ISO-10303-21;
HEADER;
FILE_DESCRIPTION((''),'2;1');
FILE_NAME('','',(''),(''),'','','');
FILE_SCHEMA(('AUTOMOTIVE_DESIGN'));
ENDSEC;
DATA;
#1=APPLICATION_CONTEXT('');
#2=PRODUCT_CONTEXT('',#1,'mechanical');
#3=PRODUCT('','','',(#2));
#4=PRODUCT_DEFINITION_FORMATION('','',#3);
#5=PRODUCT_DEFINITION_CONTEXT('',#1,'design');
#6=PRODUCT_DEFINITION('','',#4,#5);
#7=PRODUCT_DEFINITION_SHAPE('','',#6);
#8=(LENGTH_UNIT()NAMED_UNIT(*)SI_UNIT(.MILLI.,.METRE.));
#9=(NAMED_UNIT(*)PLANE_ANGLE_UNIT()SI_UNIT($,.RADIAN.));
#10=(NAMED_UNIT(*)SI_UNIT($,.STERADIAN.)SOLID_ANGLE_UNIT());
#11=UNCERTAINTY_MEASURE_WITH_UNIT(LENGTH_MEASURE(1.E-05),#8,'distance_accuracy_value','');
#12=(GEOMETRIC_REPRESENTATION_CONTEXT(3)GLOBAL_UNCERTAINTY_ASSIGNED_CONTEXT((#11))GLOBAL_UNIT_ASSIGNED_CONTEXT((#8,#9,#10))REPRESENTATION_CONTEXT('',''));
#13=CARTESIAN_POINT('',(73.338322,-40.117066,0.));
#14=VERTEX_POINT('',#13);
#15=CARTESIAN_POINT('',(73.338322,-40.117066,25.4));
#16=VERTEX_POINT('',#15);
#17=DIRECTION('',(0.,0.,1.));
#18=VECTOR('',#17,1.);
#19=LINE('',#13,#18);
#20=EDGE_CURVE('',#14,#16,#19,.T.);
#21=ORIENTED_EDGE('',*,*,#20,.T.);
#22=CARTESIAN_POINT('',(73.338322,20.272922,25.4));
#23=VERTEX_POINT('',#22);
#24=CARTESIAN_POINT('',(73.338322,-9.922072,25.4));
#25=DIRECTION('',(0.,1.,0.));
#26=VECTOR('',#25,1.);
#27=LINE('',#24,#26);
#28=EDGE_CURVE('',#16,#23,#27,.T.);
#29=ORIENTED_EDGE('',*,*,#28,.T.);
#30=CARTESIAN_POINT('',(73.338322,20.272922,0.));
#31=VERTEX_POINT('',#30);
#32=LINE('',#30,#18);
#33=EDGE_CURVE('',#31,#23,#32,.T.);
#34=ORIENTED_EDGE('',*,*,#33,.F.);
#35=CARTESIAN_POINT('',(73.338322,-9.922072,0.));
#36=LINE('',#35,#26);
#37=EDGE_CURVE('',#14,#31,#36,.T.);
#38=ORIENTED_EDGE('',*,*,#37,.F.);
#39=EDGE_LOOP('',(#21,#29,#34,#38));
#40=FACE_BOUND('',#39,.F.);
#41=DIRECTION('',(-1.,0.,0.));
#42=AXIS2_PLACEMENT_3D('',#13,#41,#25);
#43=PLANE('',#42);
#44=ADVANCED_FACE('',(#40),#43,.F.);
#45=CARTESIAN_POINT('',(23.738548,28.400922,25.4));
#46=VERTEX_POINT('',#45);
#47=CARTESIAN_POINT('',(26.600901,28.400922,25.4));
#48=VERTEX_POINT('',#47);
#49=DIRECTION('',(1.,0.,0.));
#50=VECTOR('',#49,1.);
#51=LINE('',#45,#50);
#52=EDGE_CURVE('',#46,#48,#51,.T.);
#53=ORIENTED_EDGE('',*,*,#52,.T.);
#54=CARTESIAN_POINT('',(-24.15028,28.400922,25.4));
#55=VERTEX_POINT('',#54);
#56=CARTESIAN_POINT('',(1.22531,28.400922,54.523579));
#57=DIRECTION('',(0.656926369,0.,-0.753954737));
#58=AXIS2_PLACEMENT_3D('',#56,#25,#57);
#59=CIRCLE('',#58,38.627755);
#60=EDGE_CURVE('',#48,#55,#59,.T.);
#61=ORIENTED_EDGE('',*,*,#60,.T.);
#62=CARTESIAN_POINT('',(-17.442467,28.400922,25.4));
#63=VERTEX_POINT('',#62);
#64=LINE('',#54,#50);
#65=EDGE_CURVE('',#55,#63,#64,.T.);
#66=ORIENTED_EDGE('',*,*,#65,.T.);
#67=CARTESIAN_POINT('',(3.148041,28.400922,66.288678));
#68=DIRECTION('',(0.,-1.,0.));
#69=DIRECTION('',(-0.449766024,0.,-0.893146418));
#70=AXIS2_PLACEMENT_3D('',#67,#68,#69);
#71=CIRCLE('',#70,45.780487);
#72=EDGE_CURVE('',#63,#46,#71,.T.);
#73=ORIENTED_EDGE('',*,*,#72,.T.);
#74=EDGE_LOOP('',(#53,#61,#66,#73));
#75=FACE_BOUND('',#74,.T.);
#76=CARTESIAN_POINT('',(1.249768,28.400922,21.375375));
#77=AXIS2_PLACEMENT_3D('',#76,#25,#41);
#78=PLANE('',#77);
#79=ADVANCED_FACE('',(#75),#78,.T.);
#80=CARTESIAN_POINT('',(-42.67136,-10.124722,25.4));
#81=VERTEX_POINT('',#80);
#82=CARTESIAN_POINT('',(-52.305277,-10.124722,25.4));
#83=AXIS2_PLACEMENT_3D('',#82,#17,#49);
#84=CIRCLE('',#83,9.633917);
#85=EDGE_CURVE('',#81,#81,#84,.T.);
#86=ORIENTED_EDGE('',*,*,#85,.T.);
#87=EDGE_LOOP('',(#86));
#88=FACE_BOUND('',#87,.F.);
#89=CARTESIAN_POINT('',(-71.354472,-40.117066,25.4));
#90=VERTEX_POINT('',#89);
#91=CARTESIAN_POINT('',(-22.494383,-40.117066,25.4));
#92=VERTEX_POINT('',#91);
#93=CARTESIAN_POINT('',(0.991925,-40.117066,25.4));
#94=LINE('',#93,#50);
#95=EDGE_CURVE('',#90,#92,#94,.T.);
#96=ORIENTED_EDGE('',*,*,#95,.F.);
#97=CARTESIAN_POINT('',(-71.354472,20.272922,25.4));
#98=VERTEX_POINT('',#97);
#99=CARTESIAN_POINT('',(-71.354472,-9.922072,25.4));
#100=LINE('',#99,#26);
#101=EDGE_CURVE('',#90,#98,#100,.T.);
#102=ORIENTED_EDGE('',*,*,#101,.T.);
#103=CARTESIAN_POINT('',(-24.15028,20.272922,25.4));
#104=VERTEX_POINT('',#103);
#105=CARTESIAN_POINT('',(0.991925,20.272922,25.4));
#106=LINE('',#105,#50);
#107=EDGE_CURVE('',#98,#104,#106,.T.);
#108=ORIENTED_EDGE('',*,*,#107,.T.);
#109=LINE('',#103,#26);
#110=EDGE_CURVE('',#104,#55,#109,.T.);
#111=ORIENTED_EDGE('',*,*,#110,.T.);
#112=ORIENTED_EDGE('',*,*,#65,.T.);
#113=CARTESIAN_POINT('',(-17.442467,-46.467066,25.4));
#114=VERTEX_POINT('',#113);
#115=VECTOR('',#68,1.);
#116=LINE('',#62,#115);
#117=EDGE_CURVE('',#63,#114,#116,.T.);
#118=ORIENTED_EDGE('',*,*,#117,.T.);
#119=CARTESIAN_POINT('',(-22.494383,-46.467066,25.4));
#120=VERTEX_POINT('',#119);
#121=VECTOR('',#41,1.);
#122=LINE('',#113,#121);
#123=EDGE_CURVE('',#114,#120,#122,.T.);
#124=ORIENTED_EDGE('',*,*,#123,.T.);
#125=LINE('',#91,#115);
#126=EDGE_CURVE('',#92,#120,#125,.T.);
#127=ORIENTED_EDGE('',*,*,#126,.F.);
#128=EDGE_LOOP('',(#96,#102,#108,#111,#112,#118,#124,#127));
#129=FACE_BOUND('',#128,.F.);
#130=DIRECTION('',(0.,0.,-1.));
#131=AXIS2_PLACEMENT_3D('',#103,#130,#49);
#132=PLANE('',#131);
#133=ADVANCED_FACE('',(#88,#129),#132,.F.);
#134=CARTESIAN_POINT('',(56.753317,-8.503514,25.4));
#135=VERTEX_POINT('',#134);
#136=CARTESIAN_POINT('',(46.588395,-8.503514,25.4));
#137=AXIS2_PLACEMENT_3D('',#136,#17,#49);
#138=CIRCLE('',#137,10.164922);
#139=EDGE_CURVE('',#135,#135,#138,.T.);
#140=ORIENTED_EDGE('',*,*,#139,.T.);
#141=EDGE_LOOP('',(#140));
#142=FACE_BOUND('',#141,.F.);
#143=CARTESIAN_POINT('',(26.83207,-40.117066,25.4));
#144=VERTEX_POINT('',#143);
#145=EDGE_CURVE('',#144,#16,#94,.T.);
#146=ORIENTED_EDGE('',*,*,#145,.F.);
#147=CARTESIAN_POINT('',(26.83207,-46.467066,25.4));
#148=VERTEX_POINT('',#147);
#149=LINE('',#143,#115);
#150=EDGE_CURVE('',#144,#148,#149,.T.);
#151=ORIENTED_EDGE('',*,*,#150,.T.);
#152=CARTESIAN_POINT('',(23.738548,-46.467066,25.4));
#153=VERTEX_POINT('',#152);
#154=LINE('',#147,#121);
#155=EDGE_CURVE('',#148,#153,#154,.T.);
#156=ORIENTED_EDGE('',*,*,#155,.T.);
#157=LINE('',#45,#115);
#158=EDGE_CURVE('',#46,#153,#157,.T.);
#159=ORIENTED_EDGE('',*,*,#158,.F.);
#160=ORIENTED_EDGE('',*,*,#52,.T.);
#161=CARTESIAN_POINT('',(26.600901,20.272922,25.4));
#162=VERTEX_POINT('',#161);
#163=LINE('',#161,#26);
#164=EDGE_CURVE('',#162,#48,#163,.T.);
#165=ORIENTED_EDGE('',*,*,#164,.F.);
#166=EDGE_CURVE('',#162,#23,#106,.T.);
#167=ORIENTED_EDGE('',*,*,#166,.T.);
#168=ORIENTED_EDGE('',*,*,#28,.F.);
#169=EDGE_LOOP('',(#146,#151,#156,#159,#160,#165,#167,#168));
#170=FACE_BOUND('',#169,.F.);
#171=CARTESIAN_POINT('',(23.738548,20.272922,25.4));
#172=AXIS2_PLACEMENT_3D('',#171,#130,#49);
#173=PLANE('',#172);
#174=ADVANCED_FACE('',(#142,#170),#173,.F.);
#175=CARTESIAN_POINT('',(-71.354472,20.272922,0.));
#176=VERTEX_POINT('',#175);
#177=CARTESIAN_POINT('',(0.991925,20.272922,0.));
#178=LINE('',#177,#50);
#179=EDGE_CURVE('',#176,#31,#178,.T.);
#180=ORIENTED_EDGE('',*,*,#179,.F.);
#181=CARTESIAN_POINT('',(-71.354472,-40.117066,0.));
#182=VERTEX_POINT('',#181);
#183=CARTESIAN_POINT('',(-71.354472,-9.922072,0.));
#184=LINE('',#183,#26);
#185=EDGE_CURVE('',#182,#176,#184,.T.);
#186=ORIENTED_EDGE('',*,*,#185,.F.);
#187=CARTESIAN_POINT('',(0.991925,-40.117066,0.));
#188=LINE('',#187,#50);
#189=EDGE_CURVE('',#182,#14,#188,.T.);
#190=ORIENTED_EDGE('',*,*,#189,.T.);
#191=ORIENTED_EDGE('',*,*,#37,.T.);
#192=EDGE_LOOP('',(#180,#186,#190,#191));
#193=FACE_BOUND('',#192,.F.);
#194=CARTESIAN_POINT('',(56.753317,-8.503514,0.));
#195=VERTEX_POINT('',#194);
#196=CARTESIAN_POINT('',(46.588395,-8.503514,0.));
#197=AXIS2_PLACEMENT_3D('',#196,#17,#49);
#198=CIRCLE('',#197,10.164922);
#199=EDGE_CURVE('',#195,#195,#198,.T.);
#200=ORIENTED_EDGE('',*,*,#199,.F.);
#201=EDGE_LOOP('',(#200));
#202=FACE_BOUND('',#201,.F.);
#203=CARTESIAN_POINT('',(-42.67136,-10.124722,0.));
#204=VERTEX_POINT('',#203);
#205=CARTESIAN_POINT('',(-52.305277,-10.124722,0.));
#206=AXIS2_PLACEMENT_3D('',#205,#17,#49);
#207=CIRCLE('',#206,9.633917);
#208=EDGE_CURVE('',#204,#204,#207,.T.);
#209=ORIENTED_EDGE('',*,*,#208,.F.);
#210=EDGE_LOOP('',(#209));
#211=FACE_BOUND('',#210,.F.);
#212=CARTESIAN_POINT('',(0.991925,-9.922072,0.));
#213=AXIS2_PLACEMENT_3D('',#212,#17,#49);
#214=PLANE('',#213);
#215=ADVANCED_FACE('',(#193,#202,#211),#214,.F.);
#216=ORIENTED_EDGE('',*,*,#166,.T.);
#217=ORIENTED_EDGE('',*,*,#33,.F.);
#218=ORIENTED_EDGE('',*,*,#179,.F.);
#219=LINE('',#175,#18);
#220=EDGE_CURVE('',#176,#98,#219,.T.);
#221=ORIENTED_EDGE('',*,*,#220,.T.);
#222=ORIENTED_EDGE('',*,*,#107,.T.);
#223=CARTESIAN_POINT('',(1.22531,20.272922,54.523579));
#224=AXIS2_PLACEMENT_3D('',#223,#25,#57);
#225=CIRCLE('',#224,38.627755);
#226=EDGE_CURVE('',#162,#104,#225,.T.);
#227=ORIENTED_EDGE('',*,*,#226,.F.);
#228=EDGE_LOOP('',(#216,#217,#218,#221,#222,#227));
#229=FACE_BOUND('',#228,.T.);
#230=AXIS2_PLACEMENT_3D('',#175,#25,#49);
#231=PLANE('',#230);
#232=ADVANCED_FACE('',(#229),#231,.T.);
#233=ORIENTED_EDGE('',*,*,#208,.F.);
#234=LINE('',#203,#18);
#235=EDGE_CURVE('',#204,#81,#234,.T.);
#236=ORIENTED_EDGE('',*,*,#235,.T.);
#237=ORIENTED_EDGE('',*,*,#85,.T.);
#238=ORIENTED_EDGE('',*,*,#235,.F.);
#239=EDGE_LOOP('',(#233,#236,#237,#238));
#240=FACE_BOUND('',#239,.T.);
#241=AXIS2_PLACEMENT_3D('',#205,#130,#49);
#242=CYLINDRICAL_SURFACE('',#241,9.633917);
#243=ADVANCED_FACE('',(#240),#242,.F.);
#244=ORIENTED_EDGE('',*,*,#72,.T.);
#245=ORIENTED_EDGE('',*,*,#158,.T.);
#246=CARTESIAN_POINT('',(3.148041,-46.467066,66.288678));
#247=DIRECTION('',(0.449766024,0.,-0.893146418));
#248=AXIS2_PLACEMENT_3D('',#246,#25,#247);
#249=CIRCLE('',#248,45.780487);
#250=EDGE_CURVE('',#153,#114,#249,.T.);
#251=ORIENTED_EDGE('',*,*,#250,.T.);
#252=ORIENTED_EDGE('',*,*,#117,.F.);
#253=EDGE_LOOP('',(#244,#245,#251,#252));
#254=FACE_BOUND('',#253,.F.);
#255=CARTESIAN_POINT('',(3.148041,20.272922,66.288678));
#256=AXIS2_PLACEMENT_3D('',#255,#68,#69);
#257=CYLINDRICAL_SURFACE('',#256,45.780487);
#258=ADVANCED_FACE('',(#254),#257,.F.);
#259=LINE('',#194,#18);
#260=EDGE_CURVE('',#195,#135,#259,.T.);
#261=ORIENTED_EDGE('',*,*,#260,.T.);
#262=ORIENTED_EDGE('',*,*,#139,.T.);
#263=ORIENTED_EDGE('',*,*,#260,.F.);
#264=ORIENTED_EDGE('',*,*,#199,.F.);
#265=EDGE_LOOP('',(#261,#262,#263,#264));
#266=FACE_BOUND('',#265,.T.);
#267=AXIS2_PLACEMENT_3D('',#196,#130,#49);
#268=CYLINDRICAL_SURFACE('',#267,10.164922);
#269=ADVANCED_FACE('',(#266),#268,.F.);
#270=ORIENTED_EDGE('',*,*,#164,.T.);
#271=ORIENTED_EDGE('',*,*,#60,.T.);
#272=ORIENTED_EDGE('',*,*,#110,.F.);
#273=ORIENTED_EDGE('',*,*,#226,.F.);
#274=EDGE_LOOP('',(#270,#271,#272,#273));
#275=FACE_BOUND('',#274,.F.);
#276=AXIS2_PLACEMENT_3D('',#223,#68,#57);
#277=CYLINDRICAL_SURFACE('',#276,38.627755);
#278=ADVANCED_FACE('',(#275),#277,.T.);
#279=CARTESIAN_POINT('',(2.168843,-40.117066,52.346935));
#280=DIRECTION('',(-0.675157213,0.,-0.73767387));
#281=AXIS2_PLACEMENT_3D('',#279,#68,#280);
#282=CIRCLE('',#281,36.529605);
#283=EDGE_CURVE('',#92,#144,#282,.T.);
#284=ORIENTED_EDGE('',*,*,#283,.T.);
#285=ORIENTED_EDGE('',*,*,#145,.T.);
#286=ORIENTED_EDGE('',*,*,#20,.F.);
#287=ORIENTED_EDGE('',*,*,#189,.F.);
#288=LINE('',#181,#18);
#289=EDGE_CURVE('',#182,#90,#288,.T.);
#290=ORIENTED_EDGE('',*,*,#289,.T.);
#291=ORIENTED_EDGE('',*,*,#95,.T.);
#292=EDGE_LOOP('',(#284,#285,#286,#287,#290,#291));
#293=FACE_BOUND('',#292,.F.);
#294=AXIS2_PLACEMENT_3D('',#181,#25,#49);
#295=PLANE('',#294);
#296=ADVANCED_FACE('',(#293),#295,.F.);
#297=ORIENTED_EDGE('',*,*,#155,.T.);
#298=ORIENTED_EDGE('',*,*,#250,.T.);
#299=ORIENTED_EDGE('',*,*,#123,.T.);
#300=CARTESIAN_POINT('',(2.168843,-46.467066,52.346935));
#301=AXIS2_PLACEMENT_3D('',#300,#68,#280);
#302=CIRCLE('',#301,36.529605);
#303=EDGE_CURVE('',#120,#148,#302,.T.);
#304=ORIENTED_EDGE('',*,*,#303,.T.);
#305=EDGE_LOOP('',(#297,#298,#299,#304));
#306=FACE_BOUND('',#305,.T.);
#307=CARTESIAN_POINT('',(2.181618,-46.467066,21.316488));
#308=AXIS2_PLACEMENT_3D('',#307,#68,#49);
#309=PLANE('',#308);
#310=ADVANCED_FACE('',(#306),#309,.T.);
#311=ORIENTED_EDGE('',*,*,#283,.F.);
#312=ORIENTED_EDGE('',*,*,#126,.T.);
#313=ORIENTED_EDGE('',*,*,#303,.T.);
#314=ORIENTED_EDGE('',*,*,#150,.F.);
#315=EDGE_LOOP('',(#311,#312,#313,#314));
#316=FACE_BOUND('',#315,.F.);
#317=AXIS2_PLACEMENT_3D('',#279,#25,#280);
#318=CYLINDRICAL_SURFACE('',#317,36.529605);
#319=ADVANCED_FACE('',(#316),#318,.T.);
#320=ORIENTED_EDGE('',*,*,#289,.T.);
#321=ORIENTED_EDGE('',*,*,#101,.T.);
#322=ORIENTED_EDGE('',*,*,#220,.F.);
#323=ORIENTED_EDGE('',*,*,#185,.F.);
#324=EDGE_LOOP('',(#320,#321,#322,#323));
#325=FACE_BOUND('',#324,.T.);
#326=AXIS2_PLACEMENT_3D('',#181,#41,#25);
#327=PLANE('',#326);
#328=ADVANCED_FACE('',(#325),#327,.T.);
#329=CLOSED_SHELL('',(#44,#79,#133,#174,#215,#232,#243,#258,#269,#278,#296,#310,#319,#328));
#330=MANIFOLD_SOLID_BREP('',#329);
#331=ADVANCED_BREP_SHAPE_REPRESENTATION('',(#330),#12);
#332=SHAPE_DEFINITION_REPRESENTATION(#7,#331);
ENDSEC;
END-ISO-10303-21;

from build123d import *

# Parameters (mm, degrees)
F0_W     = 144.692793
F0_H     = 60.389988
F0_R     = 9.633917
F0_R_2   = 10.164922
F1_DEPTH = 25.4
F3_DEPTH = 61.214
F4_DEPTH = 6.35
F6_DEPTH = 8.128


with BuildPart() as f1:
    # F0 (on Top) → F1 (new body)
    with BuildSketch(Plane.XY):
        with Locations((0.991925, -9.922072)):
            Rectangle(F0_W, F0_H)
        with Locations((-52.305277, -10.124722)):
            Circle(F0_R, mode=Mode.SUBTRACT)
        with Locations((46.588395, -8.503514)):
            Circle(F0_R_2, mode=Mode.SUBTRACT)
    extrude(amount=F1_DEPTH)

    # F2 (on face) → F3 (cut)
    with BuildSketch(Plane.XZ.offset(40.117066)):
        with BuildLine():
            Line((23.738548, 25.4), (-17.442467, 25.4))
            ThreePointArc((-17.442467, 25.4), (3.148041, 20.508191), (23.738548, 25.4))
        make_face()
    extrude(amount=-F3_DEPTH, mode=Mode.SUBTRACT)

    # F2 (on face) → F4 (join)
    with BuildSketch(Plane.XZ.offset(40.117066)):
        with BuildLine():
            ThreePointArc((23.738548, 25.4), (3.148041, 20.508191), (-17.442467, 25.4))
            Line((-17.442467, 25.4), (-22.494383, 25.4))
            ThreePointArc((-22.494383, 25.4), (2.168844, 15.81733), (26.83207, 25.4))
            Line((26.83207, 25.4), (23.738548, 25.4))
        make_face()
    extrude(amount=F4_DEPTH)

    # F5 (on face) → F6 (join)
    with BuildSketch(Plane(origin=(0, 20.272922, 0), x_dir=(-1, 0, 0), z_dir=(0, 1, 0))):
        with BuildLine():
            Line((-23.738548, 25.4), (-26.600901, 25.4))
            ThreePointArc((-26.600901, 25.4), (-1.22531, 15.895824), (24.15028, 25.4))
            Line((24.15028, 25.4), (17.442467, 25.4))
            ThreePointArc((17.442467, 25.4), (-3.148041, 20.508191), (-23.738548, 25.4))
        make_face()
    extrude(amount=F6_DEPTH)


solid = f1.part
